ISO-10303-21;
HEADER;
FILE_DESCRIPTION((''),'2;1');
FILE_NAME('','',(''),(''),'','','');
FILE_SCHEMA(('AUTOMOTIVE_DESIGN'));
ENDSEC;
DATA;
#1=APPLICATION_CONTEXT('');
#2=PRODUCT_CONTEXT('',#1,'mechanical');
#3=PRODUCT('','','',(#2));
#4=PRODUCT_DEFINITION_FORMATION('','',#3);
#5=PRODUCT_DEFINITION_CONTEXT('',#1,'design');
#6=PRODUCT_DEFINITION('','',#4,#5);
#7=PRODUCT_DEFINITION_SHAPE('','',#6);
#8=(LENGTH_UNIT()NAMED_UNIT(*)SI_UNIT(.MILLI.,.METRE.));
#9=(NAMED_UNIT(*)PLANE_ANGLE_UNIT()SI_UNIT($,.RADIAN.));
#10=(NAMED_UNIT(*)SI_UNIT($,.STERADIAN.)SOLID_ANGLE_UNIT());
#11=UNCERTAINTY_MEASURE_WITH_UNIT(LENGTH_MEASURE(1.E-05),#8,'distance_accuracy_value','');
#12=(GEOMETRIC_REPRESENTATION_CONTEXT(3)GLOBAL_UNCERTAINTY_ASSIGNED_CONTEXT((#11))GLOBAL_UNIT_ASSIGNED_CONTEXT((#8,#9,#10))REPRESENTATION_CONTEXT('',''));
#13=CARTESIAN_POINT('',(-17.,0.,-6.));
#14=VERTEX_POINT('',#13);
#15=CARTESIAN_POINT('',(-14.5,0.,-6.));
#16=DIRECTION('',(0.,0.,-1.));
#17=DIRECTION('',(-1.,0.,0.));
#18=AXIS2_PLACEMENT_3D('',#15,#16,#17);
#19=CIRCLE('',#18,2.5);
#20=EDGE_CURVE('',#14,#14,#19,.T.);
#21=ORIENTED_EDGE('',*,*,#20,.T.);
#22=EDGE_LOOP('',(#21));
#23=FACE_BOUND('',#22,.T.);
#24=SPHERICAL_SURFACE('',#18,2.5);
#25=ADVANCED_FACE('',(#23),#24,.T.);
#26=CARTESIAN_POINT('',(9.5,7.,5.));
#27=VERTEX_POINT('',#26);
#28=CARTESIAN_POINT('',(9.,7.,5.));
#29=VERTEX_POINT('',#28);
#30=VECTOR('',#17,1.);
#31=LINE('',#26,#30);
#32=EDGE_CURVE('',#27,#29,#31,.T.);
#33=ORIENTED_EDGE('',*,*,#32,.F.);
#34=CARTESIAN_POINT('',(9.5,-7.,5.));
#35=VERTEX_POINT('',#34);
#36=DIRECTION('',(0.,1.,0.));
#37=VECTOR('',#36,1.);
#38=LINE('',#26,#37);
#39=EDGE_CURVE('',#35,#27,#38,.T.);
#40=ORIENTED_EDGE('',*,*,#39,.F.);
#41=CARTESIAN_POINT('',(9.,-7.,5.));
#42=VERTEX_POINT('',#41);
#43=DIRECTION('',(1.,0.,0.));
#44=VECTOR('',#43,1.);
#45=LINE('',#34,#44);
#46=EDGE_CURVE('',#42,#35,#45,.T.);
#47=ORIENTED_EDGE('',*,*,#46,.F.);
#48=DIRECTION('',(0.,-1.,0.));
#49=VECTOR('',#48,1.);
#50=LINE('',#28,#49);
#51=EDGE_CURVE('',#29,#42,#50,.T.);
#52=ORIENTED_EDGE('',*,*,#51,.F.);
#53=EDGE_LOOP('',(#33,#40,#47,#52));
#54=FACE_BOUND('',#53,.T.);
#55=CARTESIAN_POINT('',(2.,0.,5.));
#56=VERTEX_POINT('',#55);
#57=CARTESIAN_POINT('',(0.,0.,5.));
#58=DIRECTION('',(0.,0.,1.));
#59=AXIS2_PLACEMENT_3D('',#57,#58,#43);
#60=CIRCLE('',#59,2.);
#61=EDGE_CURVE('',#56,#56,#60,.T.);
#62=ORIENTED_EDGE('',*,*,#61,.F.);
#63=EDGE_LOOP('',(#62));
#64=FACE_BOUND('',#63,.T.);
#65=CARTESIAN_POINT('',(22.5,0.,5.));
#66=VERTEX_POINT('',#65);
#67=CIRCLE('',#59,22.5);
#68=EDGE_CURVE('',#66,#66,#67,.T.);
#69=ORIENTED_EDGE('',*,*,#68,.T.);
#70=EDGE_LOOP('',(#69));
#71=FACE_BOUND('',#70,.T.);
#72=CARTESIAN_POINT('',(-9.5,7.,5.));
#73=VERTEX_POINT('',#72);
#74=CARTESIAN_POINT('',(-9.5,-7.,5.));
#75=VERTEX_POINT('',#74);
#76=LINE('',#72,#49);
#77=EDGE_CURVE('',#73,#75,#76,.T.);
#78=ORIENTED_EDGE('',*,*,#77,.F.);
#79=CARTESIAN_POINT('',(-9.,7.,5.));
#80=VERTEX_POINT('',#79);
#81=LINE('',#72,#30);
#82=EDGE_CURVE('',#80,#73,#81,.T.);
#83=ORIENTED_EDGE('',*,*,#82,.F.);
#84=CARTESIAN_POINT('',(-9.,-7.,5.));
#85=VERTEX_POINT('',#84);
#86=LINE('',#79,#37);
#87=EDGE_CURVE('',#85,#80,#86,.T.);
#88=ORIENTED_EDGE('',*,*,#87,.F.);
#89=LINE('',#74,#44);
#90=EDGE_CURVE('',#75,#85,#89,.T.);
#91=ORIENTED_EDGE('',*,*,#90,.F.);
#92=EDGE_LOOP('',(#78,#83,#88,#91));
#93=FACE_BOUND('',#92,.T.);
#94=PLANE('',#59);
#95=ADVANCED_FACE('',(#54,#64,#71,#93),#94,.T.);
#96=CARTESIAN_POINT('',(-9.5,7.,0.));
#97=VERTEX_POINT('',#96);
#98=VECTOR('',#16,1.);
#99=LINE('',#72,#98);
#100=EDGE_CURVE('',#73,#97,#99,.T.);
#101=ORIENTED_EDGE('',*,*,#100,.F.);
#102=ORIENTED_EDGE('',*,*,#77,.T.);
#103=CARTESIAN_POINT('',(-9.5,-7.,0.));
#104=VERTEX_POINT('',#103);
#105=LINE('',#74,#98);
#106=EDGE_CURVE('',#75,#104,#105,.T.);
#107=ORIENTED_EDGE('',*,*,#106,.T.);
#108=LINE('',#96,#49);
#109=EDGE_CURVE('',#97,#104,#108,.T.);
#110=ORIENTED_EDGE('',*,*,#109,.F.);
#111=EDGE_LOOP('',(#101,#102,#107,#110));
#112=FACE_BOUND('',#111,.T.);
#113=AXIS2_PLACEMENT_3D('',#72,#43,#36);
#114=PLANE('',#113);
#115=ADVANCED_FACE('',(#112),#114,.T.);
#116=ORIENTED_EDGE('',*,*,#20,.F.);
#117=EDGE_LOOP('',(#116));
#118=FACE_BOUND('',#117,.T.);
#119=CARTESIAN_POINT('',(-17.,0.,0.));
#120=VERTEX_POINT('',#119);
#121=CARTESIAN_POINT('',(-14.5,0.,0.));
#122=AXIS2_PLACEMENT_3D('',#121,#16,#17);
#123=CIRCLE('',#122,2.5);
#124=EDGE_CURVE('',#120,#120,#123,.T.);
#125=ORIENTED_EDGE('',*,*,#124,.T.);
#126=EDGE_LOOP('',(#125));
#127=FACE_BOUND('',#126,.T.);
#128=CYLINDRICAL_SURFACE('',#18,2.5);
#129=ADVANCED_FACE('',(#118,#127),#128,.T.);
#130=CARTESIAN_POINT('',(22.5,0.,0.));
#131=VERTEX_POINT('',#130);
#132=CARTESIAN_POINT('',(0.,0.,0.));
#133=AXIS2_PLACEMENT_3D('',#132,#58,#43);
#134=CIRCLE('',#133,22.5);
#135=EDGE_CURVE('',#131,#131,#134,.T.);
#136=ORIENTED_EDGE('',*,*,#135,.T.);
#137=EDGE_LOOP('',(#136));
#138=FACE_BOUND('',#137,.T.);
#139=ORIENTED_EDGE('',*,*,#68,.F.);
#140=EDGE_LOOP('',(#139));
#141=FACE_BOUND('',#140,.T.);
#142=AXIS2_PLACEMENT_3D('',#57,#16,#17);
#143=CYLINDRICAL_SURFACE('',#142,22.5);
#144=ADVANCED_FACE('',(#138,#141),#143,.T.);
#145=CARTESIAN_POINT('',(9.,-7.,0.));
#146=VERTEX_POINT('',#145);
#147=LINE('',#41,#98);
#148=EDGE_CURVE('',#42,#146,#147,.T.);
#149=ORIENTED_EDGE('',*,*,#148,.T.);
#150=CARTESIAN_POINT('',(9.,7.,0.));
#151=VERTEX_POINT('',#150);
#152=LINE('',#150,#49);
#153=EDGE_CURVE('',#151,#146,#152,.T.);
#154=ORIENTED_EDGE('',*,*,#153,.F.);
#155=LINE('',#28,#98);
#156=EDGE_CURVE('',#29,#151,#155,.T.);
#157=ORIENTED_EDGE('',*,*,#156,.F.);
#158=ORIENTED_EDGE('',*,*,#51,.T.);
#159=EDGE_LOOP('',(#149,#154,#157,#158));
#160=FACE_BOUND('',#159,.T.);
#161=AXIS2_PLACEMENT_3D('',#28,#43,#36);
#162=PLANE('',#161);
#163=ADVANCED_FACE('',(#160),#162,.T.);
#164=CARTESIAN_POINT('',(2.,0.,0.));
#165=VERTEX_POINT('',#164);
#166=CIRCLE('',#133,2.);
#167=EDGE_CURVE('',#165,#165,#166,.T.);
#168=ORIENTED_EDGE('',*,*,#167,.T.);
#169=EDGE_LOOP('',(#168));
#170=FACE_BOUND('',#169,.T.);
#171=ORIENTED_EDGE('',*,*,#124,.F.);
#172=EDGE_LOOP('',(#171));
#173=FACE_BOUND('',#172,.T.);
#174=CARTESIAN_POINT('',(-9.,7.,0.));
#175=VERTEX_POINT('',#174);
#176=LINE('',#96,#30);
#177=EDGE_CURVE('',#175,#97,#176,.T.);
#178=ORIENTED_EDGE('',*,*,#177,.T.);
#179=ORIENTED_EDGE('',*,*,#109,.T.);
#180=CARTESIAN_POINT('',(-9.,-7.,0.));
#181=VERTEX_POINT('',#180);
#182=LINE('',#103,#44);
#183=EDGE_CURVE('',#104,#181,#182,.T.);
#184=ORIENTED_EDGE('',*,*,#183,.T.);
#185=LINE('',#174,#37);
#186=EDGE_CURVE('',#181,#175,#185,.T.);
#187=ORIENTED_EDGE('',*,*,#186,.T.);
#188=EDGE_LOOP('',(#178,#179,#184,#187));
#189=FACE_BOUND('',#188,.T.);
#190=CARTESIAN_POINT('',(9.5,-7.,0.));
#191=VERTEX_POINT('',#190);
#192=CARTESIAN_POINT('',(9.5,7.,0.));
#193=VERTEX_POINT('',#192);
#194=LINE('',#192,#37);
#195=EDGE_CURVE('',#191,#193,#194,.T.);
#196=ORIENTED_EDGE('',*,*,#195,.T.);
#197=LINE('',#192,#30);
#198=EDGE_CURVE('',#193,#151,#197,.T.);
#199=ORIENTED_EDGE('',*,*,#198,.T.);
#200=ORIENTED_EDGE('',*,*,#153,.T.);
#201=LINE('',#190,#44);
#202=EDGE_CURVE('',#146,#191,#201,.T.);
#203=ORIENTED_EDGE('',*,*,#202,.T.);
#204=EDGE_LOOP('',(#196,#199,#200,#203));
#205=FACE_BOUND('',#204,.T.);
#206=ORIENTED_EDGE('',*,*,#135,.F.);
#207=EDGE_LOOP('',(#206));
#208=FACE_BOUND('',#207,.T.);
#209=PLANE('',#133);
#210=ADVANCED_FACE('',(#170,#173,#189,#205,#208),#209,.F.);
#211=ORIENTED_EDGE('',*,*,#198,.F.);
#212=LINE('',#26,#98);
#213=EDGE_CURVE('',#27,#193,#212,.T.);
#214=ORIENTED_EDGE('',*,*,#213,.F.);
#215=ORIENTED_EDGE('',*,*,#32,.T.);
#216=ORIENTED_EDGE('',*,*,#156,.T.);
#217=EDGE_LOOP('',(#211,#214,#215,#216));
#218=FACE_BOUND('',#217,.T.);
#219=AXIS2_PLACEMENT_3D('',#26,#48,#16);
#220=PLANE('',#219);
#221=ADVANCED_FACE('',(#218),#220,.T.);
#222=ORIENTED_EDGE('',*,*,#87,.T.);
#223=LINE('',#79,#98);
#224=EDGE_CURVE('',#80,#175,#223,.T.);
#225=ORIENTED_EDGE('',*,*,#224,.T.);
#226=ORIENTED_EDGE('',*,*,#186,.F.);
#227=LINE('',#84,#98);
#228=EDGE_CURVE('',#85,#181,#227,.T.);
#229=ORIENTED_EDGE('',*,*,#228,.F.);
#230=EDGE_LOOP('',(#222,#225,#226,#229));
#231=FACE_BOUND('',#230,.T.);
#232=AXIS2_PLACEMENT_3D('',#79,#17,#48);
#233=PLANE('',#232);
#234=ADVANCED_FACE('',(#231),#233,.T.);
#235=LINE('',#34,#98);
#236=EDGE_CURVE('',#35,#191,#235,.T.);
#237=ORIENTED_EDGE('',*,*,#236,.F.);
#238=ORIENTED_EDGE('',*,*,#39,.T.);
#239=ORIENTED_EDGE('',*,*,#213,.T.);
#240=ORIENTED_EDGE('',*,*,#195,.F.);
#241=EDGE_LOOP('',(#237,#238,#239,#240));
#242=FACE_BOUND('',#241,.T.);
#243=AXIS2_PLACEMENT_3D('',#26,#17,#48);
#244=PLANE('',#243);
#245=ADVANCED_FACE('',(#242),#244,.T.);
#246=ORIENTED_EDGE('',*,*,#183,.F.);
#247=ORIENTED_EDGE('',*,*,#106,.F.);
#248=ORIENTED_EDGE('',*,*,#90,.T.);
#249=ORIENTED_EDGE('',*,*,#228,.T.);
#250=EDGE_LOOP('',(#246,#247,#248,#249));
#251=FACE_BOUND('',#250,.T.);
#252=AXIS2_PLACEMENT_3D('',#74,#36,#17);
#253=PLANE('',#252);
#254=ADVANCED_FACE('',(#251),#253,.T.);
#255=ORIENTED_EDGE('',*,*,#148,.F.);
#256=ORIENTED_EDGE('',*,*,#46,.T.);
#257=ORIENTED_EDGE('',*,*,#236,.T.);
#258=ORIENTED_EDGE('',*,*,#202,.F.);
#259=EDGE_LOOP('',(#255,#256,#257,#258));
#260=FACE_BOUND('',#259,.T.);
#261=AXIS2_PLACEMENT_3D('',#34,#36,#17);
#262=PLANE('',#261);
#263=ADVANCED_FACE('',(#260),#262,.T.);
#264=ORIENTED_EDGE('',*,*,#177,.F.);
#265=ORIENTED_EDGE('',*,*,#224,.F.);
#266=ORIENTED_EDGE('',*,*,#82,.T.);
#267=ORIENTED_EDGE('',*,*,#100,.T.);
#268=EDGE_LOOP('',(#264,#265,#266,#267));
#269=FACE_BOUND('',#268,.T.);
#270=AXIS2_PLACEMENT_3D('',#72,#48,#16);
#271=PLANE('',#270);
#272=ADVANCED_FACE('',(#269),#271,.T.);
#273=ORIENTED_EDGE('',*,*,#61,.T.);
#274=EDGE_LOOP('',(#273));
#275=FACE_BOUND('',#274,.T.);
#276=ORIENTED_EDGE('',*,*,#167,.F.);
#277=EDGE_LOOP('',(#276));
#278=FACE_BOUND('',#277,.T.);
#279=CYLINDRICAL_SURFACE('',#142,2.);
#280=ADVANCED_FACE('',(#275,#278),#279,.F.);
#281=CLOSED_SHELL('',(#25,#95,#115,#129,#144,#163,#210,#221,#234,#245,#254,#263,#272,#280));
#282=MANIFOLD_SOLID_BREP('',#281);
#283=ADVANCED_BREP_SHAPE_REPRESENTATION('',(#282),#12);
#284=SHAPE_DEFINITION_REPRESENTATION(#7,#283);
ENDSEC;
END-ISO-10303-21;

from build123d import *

# Parameters (mm, degrees)
SKETCH1_R           = 22.5
SKETCH1_R_2         = 2
SKETCH1_W           = 0.5
SKETCH1_H           = 14
BOSS_EXTRUDE1_DEPTH = 5


with BuildPart() as part:
    # Sketch1 → Boss-Extrude1 (new body)
    with BuildSketch(Plane.XY):
        Circle(SKETCH1_R)
        Circle(SKETCH1_R_2, mode=Mode.SUBTRACT)
        with Locations((-9.25, 0)):
            Rectangle(SKETCH1_W, SKETCH1_H, mode=Mode.SUBTRACT)
        with Locations((9.25, 0)):
            Rectangle(SKETCH1_W, SKETCH1_H, mode=Mode.SUBTRACT)
    extrude(amount=BOSS_EXTRUDE1_DEPTH)

    # Sketch3 → Revolve1 (revolve)
    with BuildSketch(Plane(origin=(0, 0, 0), x_dir=(1, 0, 0), z_dir=(0, 1, 0))):
        with BuildLine():
            Line((-17, 6), (-17, 0))
            Line((-17, 0), (-14.5, 0))
            Line((-14.5, 0), (-14.5, 8.5))
            ThreePointArc((-14.5, 8.5), (-16.267766953, 7.767766953), (-17, 6))
        make_face()
    revolve(axis=Axis((-14.5, 0, -6), (0, 0, 1)))


solid = part.part
